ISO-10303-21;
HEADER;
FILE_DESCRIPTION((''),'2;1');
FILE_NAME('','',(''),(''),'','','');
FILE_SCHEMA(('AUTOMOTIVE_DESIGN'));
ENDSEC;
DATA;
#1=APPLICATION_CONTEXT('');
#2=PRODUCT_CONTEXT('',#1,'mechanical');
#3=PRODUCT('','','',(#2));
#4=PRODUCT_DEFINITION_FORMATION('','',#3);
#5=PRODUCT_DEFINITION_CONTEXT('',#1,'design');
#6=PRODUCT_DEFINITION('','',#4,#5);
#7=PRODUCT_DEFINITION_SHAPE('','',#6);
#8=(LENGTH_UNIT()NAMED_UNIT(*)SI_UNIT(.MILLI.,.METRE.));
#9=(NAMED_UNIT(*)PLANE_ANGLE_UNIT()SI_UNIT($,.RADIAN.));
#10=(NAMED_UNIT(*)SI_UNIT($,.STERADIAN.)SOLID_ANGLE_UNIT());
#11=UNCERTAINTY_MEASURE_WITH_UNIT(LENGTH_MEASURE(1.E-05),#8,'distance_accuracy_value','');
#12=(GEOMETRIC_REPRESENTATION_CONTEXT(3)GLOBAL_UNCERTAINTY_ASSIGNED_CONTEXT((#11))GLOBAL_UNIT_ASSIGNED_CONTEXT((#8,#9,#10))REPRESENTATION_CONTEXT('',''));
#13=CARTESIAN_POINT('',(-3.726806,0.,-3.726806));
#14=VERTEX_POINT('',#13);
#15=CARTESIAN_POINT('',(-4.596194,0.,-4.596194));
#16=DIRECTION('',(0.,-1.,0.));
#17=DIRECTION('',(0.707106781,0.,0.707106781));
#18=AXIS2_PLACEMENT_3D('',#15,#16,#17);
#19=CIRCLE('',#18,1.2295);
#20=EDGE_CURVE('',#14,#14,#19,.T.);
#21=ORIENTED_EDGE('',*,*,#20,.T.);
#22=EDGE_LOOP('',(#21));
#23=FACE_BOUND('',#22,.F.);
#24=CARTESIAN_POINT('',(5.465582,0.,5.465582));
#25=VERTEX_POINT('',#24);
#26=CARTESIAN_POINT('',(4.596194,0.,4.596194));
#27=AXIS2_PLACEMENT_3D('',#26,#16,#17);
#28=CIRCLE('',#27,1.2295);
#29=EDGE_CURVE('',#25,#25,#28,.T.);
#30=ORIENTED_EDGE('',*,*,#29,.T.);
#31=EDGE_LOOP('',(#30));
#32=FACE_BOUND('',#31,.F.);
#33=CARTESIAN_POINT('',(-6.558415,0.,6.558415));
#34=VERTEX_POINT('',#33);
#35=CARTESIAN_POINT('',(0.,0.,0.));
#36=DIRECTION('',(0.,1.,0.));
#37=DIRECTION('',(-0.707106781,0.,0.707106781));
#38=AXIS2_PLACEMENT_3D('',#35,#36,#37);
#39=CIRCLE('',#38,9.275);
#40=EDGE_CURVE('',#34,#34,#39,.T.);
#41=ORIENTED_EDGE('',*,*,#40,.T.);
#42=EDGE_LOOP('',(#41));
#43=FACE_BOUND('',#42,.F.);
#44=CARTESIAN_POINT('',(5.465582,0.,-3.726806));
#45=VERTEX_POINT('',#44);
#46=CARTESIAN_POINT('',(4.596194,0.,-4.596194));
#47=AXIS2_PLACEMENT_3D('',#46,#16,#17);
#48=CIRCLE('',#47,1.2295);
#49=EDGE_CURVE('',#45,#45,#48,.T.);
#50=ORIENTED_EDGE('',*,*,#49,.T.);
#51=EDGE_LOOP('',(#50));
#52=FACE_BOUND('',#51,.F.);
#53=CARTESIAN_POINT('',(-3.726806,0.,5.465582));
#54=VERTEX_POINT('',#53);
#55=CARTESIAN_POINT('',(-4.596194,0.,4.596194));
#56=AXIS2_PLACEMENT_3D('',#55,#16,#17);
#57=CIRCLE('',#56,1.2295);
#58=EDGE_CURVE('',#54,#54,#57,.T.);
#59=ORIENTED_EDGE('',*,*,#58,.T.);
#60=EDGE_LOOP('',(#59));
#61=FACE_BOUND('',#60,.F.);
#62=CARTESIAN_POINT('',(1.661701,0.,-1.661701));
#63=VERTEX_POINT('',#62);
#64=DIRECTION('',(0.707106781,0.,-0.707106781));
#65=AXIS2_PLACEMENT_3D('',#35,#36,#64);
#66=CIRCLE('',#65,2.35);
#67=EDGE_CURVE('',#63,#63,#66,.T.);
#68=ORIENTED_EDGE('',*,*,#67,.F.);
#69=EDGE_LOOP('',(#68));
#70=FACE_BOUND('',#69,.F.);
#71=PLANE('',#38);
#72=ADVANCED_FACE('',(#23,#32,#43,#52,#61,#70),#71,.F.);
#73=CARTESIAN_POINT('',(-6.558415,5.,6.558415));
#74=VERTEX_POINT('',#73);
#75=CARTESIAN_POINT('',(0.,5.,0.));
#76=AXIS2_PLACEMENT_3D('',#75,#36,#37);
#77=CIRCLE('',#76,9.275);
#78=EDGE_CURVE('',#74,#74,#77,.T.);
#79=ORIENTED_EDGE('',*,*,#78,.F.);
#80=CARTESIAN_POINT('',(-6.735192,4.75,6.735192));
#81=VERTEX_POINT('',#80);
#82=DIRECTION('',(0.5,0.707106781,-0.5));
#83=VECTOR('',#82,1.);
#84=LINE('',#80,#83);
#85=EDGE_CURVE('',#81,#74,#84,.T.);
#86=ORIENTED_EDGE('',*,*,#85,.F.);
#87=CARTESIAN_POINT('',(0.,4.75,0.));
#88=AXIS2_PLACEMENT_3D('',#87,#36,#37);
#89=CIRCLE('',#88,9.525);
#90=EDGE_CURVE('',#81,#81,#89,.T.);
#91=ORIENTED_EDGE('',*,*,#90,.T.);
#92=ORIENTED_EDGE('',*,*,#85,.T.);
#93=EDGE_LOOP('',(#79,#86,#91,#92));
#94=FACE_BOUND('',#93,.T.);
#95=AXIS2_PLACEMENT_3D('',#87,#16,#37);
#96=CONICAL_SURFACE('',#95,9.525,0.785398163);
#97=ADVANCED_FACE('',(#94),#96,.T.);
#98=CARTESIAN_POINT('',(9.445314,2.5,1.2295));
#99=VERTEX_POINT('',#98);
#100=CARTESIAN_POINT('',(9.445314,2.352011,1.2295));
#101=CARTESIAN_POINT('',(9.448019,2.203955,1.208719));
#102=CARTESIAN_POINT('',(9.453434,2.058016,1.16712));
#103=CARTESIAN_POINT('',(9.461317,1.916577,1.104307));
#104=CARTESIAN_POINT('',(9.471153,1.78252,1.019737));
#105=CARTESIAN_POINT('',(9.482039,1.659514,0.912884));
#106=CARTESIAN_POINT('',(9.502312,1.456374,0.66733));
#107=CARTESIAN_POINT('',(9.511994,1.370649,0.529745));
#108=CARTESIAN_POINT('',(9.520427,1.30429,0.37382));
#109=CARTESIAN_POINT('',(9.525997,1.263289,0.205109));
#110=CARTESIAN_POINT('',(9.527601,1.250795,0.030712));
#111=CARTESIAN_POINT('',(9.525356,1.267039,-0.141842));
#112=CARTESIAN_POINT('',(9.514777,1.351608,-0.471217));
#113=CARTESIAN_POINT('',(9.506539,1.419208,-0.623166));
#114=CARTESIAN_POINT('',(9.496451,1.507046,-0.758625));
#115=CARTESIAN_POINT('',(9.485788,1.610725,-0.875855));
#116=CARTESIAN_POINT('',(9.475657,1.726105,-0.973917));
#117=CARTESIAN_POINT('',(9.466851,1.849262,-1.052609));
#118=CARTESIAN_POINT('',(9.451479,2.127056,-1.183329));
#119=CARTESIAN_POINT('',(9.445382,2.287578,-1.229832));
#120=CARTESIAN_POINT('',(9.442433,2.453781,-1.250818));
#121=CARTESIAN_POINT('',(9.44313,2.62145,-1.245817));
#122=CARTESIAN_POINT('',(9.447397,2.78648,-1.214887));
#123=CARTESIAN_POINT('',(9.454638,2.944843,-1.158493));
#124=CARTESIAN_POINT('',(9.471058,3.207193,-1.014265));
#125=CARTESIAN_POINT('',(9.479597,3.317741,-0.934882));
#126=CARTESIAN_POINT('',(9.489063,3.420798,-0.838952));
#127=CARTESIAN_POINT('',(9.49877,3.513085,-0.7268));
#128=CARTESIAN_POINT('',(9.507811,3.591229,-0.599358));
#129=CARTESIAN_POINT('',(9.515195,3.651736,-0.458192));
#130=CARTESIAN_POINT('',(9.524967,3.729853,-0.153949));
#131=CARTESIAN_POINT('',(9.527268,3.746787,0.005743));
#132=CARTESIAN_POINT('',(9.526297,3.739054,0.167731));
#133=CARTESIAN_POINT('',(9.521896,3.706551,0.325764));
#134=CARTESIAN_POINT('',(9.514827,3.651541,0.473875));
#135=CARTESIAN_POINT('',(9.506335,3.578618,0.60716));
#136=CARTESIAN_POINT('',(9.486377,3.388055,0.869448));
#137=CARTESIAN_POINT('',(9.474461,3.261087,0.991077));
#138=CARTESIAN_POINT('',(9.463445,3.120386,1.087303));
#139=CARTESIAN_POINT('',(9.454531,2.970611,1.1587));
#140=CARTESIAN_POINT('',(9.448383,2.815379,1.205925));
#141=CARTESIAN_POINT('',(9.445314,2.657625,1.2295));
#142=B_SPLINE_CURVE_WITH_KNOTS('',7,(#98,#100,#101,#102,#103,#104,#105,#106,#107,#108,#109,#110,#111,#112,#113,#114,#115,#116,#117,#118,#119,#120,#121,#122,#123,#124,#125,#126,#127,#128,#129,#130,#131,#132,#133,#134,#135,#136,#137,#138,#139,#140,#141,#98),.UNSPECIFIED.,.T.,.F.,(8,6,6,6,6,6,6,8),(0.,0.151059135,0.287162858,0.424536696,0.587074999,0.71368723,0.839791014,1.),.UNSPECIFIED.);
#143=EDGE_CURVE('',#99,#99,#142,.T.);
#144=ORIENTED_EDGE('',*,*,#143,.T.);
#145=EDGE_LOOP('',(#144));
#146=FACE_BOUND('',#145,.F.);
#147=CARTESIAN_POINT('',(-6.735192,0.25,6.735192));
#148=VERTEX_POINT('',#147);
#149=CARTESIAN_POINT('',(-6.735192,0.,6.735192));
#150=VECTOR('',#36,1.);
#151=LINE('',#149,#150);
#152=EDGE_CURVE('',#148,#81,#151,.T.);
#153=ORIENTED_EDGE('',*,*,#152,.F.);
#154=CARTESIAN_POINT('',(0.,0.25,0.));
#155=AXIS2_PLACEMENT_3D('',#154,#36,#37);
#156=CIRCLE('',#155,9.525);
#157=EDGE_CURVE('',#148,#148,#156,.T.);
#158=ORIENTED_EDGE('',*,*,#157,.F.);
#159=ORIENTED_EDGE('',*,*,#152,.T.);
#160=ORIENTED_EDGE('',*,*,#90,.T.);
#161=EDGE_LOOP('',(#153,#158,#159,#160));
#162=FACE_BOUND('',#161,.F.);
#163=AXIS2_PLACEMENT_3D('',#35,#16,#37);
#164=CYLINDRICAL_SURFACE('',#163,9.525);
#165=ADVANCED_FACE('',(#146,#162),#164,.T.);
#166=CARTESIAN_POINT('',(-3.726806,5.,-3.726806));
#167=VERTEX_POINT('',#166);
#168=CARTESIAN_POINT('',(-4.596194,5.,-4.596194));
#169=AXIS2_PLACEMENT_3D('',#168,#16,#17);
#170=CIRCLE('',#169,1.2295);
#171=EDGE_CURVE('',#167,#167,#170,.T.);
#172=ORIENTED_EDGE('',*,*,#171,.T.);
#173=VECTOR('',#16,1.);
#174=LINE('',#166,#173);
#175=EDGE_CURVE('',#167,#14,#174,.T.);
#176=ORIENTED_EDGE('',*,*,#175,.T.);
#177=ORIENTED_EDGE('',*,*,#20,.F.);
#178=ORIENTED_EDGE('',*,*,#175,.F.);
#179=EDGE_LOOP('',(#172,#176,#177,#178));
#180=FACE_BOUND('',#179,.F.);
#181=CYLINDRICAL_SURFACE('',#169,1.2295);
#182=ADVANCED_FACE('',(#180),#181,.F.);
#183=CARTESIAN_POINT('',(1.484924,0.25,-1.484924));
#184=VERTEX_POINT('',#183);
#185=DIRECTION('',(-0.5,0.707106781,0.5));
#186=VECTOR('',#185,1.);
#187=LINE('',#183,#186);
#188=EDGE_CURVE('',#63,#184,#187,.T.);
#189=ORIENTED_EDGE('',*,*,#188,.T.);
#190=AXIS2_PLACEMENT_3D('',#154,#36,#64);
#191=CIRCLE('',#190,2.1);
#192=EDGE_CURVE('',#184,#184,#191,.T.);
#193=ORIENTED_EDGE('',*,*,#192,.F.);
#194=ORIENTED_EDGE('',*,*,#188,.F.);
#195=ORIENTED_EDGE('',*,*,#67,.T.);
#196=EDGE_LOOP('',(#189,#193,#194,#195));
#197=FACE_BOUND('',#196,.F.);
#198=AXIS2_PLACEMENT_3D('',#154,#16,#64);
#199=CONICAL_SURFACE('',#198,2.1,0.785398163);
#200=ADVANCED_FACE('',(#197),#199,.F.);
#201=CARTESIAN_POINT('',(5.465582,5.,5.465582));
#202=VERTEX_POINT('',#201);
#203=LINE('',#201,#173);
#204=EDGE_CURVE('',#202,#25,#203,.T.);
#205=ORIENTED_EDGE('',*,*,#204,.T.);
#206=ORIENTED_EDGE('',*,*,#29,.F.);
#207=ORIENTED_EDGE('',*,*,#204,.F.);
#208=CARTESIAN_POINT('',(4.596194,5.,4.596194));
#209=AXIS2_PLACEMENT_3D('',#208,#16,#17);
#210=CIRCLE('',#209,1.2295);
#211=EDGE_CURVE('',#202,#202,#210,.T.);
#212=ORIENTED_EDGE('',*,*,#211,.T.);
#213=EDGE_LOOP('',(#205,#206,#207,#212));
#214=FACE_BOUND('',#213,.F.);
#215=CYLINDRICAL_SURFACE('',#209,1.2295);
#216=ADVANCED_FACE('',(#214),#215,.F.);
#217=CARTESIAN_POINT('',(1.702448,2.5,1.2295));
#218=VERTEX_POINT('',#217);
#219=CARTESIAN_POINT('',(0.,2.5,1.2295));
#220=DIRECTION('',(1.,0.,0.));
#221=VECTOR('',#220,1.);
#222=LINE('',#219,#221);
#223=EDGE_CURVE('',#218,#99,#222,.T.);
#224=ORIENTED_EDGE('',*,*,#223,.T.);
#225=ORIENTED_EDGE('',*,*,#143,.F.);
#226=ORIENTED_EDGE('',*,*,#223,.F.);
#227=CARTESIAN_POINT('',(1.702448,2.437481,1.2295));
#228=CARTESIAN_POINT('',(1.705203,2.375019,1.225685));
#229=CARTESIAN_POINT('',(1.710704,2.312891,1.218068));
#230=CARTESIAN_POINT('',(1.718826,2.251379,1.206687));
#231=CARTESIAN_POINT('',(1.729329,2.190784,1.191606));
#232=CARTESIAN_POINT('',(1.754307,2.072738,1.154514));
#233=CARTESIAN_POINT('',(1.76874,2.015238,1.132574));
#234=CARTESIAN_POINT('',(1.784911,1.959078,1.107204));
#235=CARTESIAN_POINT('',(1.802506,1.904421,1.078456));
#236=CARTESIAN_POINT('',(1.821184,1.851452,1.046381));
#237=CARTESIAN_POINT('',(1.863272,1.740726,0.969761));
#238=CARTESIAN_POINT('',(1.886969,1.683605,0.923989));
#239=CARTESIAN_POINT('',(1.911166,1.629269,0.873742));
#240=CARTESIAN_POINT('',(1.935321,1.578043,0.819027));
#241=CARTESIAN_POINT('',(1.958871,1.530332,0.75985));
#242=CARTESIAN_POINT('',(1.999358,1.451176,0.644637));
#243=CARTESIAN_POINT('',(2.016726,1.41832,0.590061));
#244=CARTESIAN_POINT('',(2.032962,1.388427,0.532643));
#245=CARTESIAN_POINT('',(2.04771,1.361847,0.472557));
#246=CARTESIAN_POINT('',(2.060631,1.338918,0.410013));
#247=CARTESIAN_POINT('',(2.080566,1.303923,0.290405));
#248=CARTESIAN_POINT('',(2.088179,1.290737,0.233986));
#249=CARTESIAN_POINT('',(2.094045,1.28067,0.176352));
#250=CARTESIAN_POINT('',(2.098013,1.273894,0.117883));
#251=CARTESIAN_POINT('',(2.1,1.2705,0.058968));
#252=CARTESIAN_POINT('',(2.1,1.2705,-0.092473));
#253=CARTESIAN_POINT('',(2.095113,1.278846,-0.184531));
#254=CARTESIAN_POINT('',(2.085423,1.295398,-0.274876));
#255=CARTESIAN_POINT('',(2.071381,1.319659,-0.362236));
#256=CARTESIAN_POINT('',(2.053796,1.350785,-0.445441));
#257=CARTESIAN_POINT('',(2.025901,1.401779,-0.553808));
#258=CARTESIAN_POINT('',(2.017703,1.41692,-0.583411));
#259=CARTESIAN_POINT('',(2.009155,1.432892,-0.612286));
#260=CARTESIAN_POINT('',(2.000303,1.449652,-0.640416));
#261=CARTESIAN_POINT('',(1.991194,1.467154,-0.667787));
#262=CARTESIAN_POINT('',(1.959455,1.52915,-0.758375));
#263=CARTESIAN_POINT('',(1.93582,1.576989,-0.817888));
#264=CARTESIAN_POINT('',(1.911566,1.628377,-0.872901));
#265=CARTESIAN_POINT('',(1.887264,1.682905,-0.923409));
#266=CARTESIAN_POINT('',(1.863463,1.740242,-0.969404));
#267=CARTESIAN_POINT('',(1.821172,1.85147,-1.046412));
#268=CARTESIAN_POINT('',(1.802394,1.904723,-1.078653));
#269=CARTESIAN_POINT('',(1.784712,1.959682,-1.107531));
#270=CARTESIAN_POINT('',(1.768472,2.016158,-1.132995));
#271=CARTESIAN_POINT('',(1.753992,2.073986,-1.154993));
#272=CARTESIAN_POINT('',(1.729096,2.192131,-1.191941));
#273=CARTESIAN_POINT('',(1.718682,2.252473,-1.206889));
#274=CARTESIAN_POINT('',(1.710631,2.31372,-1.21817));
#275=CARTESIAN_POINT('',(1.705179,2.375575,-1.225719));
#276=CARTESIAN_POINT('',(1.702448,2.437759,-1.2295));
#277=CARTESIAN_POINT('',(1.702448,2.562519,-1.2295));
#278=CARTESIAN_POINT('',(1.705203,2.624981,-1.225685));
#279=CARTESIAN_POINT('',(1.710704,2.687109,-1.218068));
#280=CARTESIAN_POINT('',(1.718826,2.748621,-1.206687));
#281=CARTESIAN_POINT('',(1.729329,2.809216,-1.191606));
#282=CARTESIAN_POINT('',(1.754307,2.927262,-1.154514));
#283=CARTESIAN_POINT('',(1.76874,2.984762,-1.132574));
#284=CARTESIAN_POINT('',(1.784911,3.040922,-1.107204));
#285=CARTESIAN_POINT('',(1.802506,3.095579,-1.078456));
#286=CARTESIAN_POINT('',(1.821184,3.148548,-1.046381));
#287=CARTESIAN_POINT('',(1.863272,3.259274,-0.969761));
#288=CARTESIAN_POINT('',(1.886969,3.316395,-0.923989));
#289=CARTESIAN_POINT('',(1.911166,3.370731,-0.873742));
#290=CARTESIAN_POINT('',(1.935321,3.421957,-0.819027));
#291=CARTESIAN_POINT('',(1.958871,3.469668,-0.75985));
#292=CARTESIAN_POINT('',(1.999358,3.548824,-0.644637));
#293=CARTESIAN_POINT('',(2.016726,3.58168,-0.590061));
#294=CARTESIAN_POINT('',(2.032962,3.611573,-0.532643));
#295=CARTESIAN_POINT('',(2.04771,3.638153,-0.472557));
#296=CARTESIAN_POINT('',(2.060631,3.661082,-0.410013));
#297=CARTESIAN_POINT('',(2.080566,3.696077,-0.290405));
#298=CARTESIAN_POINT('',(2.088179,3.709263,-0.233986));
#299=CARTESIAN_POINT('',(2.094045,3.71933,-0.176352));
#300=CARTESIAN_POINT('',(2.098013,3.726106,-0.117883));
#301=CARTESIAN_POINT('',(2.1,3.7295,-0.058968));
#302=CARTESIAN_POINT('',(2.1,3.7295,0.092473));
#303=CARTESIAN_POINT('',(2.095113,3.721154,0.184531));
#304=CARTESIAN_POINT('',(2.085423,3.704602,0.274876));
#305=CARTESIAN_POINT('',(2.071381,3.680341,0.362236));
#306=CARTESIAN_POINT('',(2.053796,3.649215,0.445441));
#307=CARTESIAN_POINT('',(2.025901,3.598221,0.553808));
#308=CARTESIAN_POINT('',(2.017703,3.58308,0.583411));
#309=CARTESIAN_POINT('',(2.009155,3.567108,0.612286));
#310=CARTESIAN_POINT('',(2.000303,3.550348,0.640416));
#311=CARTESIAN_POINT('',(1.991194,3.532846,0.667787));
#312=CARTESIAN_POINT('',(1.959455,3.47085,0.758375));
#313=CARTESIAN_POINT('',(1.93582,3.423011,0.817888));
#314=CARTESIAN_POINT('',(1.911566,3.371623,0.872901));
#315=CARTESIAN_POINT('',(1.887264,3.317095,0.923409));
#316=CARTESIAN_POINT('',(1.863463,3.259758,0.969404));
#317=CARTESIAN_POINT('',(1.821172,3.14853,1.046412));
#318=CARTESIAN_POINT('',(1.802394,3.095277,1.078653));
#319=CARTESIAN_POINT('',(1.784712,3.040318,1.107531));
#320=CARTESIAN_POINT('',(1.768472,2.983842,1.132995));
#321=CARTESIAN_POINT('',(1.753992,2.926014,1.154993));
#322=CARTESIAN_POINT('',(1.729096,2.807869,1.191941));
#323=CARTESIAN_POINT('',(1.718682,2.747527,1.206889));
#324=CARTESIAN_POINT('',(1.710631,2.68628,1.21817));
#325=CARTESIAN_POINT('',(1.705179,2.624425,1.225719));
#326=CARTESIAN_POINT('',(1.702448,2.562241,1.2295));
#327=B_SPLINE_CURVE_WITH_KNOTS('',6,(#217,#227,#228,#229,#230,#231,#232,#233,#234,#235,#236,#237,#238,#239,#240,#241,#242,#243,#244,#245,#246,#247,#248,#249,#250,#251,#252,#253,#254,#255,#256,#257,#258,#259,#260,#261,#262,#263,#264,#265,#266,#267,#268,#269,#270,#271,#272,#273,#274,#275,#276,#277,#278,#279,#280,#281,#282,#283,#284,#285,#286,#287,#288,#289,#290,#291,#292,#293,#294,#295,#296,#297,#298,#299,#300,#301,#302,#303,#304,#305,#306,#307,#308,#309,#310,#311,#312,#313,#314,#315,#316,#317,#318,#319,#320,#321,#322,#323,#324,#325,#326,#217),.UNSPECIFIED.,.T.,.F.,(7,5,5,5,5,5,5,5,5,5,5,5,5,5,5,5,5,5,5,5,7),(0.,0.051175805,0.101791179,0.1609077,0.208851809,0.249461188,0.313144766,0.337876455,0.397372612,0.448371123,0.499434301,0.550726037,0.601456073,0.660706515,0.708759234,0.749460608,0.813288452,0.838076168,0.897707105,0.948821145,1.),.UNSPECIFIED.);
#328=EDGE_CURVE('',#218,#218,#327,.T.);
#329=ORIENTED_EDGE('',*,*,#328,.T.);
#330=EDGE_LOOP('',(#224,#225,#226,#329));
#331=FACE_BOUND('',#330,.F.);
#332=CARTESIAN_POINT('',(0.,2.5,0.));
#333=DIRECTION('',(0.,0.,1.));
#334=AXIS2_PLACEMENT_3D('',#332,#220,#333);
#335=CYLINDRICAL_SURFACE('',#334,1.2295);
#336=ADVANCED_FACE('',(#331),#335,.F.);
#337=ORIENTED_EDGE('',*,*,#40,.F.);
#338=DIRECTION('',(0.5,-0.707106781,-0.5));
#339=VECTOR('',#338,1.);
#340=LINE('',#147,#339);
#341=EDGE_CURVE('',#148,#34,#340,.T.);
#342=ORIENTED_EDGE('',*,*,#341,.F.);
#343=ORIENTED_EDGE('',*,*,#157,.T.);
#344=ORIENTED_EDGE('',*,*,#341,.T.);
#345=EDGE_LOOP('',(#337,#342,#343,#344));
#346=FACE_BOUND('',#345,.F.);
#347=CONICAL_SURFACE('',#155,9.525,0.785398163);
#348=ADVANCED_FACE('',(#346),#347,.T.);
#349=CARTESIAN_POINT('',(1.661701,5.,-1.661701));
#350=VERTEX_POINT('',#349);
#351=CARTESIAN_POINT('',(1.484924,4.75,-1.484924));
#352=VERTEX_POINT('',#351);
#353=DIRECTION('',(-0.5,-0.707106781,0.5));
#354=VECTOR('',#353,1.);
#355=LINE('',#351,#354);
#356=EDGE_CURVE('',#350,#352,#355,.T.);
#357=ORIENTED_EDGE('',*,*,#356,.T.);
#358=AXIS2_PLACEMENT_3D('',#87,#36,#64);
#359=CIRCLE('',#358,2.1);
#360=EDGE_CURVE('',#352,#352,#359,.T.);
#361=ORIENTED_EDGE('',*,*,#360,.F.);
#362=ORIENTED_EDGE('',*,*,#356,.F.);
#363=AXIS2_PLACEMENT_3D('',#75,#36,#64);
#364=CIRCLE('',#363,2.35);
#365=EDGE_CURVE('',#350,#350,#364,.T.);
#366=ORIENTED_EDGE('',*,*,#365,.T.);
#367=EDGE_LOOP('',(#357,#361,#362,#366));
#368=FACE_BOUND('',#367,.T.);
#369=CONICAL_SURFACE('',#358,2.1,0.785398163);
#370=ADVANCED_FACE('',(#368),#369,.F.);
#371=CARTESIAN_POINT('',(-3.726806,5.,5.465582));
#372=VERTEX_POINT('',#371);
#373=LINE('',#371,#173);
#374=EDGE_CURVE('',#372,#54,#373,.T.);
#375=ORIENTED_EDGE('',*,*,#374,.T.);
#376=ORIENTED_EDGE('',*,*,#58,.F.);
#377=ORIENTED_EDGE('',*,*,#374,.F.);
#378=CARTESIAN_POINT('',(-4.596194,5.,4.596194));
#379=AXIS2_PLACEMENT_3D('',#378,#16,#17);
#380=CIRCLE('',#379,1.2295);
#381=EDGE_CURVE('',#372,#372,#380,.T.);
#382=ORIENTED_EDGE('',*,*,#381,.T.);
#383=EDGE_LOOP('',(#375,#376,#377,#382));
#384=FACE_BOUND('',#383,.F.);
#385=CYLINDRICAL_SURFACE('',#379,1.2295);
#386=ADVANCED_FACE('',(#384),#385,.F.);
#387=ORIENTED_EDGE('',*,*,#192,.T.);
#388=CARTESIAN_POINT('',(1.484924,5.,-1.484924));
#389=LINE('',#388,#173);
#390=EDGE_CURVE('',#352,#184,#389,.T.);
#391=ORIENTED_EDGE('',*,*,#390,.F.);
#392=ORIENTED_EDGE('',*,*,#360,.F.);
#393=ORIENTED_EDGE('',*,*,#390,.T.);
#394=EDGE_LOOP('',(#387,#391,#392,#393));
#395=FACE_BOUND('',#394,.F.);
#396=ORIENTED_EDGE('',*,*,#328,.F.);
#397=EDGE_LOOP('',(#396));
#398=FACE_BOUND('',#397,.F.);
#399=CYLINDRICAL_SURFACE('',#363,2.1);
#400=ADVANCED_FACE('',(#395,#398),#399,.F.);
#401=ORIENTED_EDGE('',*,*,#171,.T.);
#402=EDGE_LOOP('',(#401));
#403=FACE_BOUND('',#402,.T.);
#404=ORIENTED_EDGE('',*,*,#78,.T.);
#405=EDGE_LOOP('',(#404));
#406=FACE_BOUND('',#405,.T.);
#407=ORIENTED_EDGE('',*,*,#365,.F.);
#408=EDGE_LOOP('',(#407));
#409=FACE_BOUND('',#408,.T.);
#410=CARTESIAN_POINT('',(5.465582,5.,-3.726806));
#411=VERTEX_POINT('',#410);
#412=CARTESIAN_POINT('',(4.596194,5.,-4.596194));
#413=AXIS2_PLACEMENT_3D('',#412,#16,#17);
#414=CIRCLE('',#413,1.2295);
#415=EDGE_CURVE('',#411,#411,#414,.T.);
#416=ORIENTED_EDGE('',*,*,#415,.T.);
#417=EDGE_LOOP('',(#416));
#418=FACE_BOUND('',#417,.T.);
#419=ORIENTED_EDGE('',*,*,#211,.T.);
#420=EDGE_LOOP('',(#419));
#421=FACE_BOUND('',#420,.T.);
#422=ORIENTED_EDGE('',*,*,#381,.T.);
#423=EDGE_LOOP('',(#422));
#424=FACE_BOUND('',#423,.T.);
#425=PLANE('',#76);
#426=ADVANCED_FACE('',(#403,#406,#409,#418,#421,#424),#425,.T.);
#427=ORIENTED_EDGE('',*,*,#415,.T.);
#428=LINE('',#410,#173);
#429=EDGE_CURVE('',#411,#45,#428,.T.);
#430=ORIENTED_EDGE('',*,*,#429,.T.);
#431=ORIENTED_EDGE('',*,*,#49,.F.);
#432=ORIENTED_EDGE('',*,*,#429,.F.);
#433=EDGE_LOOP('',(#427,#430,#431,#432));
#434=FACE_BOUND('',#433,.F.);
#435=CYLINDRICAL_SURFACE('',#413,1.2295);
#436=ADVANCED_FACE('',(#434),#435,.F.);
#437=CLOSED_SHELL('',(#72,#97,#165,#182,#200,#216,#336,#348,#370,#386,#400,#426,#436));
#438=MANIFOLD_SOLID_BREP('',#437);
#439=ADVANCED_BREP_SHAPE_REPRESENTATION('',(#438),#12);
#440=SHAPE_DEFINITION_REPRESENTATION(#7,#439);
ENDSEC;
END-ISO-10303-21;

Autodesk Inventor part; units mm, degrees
ref_plane "YZ Plane" through (0, 0, 0) normal (1, 0, 0) x (0, 1, 0)
ref_plane "XZ Plane" through (0, 0, 0) normal (0, 1, 0) x (-1, 0, 0)
ref_plane "XY Plane" through (0, 0, 0) normal (0, 0, 1) x (1, 0, 0)
sketch "Sketch1" plane through (0, 0, 0) normal (0, 1, 0) x (-1, 0, 0)
  circle A0 centre (0, 0) radius 9.525
  dimension "d0" = 19.05
extrude "Extrusion1" add sketch "Sketch1" along normal blind 5
sketch "Sketch2" plane through (0, 5, 0) normal (0, 1, 0) x (1, 0, 0)
  line L0 (0, 0) -> (0, 6.5)
  point P0 (-6.5, 0)
  point P1 (0, -6.5)
  point P2 (6.5, 0)
  dimension "d3" = 6.5
  dimension "d6" = 360
hole "Hole1" at (0, 5, -6.5) at (0, 5, 6.5) at (-6.5, 5, 0) at (6.5, 5, 0) direction (0, -1, 0) diameter 2.459 end through all thread size "M3x0.5" class "6H" standard "ISO Metric profile"
sketch "Sketch3" plane through (0, 5, 0) normal (0, 1, 0) x (1, 0, 0)
  circle A0 centre (0, 0) radius 2.1
  dimension "d15" = 4.2
extrude "Extrusion2" cut sketch "Sketch3" against normal through all
chamfer "Chamfer1" distance 0.25 angle 45 4 edges at (-2.1, 5, 0) (9.525, 5, 0) (9.525, 0, 0) (-2.1, 0, 0)
move or copy body "Move Body1" bodies to move or copy 1 copy no rotation origin (0, 0, 0) rotation axis (0, 1, 0) rotation angle 45
sketch "Sketch4" plane through (0, 0, 0) normal (1, 0, 0) x (0, 1, 0)
  line L0 (0, 0) -> (2.5, 0)
  dimension "d22" = 2.5
hole "Hole2" at (0, 2.5, 0) direction (1, 0, 0) diameter 2.459 end through all thread size "M3x0.5" class "6H" standard "ISO Metric profile"
properties part number "pololu-mounting-hub"
